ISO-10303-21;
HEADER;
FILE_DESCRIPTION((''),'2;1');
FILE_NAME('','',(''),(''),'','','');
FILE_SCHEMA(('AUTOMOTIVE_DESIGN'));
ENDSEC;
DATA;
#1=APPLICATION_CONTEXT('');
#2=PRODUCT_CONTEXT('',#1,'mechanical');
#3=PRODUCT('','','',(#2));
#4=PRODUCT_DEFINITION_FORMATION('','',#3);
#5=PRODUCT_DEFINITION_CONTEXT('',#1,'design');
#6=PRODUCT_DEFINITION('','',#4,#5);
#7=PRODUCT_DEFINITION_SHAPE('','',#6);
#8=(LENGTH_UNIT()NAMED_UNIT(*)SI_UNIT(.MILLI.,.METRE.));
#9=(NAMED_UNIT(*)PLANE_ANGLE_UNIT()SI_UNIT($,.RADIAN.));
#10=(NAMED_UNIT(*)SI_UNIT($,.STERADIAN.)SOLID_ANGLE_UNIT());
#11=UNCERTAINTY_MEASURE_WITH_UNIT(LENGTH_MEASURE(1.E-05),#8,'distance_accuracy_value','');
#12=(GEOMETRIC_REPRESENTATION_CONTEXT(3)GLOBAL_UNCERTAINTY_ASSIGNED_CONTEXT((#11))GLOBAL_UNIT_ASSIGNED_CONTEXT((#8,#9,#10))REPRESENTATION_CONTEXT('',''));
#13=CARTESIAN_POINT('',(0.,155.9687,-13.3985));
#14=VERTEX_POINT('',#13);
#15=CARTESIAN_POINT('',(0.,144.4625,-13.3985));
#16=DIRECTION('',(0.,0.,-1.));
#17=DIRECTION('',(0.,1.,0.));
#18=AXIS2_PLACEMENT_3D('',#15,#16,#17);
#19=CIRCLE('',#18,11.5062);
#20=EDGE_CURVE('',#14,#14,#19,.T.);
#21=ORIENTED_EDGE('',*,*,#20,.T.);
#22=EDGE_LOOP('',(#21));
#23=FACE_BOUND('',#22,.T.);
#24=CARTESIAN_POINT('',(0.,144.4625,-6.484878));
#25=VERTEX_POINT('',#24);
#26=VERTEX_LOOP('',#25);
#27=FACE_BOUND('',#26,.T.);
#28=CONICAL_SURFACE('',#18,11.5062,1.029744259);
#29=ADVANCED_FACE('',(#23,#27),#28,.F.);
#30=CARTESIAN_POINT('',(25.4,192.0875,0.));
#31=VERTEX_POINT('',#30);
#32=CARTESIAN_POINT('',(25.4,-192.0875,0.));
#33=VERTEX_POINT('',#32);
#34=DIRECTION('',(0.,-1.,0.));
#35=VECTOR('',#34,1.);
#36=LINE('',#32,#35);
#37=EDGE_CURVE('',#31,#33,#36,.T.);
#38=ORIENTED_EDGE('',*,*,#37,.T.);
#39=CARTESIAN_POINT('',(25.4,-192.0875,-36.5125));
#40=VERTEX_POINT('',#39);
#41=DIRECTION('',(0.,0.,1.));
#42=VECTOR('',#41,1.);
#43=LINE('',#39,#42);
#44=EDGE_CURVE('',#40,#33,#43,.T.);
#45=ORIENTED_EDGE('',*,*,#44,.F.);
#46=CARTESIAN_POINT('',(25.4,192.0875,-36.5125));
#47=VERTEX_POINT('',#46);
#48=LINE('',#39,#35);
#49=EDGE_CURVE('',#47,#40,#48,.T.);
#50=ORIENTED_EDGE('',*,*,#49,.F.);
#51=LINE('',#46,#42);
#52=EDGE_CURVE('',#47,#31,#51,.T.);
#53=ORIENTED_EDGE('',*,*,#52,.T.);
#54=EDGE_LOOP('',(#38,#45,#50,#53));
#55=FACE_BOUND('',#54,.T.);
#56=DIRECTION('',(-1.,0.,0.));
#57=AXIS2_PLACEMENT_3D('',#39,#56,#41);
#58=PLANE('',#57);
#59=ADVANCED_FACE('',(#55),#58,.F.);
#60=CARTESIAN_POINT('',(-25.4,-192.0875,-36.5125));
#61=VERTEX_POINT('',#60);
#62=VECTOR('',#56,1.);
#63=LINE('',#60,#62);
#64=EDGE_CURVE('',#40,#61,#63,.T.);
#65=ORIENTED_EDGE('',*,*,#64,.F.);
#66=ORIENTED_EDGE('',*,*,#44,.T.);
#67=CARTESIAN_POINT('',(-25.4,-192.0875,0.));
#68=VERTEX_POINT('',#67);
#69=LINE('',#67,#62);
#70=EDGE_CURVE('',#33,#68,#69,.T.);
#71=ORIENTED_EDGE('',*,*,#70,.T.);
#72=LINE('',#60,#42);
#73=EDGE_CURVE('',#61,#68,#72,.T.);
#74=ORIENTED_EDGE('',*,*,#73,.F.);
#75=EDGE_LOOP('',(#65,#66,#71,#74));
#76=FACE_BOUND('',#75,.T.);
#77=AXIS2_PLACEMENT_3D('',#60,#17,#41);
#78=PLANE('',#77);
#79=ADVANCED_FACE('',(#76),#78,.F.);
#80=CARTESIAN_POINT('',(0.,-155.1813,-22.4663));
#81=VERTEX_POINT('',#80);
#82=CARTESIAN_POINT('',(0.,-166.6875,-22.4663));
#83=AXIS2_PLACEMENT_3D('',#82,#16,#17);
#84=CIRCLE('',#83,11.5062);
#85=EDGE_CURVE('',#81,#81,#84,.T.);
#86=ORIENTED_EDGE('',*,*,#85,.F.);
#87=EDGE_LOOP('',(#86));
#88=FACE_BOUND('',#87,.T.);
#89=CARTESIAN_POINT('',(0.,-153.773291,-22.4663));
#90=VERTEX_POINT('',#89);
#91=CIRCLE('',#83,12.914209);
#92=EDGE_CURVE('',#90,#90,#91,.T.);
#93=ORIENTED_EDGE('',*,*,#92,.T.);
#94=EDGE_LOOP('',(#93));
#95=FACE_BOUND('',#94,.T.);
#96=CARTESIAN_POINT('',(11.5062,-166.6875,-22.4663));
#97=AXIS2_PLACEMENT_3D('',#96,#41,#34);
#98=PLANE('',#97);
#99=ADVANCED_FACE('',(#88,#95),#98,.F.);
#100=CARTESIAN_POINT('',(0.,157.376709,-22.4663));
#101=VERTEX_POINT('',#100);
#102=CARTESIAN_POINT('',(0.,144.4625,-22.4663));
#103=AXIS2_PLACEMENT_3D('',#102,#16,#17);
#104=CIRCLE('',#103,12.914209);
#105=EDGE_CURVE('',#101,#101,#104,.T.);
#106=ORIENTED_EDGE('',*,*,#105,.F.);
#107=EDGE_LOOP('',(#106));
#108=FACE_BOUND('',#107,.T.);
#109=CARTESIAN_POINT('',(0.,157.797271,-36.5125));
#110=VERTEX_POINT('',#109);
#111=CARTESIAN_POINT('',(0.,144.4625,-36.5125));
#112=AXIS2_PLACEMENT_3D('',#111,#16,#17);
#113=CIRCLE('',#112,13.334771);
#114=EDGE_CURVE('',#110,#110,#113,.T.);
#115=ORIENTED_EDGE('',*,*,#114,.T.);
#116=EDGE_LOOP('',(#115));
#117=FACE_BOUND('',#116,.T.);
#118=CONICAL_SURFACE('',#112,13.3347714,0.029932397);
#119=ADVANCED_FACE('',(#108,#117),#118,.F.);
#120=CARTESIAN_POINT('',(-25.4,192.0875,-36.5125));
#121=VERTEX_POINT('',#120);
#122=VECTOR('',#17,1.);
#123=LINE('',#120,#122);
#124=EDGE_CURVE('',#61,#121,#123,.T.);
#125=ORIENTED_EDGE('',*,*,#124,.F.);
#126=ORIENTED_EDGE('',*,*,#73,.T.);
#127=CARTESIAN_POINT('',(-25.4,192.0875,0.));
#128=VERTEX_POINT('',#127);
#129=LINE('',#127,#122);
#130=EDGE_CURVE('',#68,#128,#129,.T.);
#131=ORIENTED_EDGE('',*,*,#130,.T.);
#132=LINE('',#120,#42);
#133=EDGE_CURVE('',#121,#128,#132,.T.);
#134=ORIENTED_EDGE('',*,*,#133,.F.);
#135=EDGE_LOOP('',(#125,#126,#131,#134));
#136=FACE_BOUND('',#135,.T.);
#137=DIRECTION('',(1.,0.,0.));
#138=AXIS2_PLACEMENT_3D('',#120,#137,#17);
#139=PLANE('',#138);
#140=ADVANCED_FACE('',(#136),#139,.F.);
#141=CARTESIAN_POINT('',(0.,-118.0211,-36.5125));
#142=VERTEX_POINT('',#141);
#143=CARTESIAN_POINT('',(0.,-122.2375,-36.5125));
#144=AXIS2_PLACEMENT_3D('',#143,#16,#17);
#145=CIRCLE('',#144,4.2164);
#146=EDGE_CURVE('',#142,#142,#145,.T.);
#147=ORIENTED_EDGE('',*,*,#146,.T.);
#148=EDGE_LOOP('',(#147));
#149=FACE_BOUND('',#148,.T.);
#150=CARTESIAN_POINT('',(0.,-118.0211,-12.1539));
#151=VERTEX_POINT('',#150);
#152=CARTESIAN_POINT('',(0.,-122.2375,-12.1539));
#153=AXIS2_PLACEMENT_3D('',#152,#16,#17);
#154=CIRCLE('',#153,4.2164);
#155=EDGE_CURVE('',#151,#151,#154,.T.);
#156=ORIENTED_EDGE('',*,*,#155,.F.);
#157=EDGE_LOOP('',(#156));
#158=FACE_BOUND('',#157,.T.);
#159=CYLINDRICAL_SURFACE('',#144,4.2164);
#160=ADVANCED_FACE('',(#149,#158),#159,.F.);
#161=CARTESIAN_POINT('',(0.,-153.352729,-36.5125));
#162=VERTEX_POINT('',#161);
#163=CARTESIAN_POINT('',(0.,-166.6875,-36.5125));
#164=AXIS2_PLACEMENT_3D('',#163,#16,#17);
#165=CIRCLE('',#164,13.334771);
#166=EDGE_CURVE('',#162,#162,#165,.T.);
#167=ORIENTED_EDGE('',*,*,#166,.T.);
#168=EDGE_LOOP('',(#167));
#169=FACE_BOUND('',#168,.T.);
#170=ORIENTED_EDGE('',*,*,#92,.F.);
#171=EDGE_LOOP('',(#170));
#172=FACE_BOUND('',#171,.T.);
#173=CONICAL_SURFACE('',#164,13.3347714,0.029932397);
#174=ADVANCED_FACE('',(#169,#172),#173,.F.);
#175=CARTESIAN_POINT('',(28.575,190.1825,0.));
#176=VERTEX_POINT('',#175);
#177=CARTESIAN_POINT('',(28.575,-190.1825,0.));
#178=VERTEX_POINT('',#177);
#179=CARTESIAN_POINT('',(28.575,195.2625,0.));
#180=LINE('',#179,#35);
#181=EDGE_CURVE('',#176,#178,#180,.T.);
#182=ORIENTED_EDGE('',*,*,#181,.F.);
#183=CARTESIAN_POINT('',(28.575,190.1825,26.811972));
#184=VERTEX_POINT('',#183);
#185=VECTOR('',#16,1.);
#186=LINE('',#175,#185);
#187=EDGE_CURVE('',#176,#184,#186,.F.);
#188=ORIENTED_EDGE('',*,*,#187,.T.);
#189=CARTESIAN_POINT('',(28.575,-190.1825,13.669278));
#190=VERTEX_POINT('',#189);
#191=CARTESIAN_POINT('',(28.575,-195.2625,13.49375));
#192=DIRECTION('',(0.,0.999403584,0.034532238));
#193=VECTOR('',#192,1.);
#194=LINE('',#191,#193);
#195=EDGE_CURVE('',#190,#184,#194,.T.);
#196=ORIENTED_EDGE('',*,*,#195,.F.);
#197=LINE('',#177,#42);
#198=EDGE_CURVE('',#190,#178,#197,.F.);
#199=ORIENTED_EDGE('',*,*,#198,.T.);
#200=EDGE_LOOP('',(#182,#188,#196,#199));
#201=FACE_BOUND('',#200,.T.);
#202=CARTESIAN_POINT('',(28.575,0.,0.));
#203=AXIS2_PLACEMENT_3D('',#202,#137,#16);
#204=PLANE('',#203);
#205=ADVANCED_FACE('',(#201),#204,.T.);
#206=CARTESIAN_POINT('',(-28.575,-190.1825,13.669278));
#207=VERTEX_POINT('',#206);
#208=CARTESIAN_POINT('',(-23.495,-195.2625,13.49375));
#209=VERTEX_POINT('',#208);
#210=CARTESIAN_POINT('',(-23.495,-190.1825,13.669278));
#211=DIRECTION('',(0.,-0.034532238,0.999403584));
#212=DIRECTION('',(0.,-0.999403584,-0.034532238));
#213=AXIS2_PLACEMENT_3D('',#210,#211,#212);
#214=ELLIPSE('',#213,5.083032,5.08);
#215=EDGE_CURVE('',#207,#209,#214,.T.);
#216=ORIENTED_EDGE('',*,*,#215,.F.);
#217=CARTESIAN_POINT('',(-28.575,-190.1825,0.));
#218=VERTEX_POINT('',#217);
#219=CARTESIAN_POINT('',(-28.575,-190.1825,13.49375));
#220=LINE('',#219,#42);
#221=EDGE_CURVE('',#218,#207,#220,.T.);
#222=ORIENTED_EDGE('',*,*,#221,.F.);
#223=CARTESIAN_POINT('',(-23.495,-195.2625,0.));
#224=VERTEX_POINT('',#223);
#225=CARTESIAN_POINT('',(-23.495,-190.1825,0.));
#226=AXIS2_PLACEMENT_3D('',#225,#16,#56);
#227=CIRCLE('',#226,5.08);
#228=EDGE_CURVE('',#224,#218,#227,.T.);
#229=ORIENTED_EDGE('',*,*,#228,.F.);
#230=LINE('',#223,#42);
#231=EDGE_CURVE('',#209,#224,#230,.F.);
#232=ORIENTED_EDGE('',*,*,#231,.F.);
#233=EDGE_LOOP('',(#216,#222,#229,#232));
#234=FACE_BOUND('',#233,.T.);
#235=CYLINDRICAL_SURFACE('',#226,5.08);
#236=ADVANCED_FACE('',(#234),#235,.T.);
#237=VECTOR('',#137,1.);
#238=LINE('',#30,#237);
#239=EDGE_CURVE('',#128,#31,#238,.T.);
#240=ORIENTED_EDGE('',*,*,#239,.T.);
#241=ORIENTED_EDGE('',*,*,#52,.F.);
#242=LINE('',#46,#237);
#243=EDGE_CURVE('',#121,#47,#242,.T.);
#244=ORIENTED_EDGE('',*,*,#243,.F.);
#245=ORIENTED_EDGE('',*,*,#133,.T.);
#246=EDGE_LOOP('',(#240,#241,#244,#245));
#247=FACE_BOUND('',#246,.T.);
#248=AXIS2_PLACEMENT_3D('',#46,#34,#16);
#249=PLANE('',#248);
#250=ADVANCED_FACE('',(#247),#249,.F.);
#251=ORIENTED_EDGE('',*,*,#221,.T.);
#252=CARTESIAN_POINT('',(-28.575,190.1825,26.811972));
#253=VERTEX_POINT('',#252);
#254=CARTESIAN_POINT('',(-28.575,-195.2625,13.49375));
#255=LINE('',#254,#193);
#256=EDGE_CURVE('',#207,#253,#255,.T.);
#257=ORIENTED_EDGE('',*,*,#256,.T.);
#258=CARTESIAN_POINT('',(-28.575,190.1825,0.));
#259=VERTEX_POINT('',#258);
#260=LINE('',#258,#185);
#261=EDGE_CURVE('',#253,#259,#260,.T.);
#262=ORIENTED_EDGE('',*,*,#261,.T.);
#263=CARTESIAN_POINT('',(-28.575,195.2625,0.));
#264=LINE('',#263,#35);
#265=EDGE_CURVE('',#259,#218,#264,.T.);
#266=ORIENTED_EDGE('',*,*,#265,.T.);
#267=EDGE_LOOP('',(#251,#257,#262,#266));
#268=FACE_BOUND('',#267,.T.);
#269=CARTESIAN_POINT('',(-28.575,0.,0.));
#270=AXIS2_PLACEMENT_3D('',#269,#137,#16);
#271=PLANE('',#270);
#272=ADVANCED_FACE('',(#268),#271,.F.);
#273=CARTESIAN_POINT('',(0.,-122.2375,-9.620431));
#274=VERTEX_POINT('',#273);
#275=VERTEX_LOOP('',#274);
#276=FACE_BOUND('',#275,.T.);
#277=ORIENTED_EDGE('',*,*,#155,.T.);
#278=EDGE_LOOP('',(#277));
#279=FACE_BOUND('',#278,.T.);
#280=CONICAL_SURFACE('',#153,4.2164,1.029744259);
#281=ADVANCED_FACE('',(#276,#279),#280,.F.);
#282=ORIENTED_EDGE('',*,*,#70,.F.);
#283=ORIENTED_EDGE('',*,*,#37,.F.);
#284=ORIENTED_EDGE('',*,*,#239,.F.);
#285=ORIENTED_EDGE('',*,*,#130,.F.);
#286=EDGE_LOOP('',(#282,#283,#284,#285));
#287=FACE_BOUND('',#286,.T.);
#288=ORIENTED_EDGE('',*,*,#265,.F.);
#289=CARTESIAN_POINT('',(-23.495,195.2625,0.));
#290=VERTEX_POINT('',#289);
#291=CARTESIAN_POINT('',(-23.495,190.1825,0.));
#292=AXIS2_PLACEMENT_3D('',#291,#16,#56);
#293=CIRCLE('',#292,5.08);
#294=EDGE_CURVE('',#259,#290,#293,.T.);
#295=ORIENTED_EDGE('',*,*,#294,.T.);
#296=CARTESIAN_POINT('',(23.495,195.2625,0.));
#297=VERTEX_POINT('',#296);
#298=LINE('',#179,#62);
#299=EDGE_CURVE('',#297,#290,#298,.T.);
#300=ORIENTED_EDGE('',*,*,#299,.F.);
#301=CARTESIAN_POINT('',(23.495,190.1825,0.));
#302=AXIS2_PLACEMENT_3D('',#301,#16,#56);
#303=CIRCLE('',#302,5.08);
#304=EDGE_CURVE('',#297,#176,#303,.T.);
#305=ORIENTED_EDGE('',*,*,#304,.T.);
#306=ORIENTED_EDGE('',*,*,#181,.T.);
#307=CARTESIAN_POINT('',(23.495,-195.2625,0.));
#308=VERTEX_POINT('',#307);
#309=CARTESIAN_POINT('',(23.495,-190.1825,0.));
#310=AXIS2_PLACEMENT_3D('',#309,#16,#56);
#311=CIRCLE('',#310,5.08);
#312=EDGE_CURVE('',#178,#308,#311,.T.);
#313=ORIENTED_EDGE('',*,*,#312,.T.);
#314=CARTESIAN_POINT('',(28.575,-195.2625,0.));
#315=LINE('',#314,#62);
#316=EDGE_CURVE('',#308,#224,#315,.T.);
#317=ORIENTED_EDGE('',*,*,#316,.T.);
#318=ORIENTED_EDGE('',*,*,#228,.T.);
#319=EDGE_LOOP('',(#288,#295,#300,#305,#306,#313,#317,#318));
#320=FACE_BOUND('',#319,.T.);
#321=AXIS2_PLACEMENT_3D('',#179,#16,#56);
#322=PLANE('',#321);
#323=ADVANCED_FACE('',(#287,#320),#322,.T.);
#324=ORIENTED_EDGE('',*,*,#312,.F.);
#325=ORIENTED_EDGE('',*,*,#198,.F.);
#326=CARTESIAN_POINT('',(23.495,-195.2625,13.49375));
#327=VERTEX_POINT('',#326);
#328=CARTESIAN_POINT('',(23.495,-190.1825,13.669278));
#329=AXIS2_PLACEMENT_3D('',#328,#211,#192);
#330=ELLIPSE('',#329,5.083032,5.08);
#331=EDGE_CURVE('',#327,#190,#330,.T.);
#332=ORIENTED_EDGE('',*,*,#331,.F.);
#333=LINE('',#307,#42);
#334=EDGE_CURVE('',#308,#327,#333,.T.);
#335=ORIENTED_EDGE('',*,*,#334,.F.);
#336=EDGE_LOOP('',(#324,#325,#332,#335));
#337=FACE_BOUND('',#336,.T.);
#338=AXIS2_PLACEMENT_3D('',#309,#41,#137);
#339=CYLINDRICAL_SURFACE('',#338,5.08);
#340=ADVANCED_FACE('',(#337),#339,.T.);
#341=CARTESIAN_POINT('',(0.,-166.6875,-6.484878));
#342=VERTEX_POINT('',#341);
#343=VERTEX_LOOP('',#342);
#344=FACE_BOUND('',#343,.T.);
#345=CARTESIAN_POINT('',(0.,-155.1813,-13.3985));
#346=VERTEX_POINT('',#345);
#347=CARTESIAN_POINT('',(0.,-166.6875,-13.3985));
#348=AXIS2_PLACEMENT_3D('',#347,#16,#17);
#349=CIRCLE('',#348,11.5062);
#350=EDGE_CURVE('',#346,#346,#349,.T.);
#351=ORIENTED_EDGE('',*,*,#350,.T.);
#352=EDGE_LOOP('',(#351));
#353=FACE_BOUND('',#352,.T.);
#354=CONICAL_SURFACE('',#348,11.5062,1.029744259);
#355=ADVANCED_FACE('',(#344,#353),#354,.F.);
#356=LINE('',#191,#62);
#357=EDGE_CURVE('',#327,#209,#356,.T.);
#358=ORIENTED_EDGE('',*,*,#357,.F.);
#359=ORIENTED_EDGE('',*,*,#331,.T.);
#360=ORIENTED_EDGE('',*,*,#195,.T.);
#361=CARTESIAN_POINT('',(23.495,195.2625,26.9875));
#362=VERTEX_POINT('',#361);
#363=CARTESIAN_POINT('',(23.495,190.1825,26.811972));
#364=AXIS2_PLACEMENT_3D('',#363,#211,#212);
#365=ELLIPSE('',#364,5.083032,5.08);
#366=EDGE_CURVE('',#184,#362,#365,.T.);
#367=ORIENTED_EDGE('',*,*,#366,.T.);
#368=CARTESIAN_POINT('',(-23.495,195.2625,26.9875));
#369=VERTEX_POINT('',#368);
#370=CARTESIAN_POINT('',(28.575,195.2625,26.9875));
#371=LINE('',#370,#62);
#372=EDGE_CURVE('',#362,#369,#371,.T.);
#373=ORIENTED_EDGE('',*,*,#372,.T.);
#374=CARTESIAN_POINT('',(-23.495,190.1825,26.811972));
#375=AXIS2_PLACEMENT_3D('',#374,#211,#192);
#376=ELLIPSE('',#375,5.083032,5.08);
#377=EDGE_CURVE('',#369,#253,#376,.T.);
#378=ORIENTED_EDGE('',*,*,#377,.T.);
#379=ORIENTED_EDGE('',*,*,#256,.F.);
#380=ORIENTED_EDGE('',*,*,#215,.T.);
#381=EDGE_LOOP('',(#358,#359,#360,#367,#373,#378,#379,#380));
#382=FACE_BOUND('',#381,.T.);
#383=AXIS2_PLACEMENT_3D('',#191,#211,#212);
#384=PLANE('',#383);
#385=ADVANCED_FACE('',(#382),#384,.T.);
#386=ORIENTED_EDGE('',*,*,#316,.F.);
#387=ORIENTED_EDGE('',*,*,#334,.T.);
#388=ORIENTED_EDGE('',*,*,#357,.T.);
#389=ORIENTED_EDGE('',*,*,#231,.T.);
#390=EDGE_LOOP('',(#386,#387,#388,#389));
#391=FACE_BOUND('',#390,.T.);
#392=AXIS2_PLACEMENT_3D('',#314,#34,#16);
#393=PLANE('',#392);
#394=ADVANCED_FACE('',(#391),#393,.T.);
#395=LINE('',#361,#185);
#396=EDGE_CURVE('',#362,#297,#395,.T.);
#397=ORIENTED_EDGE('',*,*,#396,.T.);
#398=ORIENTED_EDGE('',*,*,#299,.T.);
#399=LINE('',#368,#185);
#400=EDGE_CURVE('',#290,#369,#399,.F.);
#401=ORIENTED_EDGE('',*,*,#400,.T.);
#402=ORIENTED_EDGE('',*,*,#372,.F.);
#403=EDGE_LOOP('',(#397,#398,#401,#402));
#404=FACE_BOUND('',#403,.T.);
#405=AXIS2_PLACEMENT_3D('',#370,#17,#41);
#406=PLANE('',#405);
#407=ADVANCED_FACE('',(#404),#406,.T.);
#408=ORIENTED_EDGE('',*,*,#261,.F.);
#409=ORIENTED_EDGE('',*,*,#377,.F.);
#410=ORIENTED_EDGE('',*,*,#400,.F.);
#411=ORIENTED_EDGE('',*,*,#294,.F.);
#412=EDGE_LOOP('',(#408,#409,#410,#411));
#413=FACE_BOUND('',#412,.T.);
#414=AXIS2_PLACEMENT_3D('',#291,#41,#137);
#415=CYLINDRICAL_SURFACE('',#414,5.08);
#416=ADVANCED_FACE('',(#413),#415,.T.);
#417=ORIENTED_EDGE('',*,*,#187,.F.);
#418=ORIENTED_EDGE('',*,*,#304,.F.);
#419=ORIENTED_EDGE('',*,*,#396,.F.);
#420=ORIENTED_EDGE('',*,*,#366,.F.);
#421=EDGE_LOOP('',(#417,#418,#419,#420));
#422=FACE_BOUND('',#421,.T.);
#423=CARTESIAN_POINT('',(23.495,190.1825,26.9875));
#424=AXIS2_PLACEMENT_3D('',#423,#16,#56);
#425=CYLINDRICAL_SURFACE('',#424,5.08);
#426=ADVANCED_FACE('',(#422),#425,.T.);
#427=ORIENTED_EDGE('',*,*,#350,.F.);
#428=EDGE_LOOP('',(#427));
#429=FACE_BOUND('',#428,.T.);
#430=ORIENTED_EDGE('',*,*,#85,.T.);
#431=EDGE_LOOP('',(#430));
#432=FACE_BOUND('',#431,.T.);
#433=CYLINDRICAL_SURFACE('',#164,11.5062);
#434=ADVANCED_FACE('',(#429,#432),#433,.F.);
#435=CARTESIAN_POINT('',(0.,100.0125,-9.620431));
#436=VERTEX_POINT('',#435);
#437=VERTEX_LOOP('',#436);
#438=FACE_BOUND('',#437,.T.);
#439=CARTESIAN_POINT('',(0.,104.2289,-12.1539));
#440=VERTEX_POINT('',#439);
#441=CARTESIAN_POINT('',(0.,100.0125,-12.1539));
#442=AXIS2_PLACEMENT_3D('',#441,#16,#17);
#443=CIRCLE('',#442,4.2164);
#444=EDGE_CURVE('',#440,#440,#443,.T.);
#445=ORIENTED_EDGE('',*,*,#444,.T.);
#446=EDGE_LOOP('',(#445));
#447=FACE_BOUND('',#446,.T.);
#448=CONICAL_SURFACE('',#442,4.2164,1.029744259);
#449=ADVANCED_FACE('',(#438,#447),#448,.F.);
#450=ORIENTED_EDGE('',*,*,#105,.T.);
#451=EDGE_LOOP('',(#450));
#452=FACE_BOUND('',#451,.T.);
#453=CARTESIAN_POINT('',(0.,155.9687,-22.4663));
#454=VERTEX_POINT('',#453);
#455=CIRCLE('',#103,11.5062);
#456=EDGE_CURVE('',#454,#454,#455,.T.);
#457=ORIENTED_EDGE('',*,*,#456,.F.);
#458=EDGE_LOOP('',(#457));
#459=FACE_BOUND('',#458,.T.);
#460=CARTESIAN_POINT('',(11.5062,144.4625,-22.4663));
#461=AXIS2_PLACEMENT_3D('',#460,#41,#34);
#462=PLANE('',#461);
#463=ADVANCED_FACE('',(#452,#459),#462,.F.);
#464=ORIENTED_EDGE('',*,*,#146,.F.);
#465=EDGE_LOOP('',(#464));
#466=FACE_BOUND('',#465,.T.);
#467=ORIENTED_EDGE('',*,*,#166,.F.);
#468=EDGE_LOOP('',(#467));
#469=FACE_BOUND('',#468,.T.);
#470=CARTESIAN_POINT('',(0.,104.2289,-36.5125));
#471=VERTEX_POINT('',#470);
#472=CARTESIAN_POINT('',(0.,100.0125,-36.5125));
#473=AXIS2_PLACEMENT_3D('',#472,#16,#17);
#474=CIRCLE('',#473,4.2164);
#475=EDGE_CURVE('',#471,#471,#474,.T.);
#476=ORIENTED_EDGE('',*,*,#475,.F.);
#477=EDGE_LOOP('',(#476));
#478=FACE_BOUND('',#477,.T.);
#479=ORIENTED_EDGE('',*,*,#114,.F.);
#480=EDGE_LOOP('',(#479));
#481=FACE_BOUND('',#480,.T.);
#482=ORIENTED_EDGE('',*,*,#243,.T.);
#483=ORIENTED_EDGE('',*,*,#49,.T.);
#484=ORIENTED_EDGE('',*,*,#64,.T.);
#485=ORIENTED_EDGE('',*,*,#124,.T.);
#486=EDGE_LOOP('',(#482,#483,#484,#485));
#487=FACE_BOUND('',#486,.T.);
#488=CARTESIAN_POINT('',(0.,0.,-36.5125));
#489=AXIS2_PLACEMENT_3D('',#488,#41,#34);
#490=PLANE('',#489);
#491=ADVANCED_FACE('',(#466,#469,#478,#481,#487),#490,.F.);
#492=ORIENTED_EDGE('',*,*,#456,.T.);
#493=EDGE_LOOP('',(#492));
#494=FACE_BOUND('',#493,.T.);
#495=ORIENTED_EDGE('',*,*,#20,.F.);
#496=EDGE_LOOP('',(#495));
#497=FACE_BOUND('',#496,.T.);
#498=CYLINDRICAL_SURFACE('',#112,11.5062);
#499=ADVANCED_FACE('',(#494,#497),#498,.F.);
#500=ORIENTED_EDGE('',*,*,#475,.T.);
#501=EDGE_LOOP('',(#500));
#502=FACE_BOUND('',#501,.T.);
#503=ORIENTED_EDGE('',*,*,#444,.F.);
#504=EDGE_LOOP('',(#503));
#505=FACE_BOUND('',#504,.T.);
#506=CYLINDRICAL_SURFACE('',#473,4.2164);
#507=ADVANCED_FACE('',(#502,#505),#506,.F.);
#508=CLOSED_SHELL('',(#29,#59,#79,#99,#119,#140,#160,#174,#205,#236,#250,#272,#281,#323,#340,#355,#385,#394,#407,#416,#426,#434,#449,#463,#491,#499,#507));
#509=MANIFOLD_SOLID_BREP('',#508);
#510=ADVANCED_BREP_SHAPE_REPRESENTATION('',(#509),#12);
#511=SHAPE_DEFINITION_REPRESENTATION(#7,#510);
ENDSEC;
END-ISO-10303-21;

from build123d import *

# Parameters (mm, degrees)
BOSS_EXTRUDE1_DEPTH               = 57.15
SKETCH15_W                        = 50.8
SKETCH15_H                        = 384.175
BOSS_EXTRUDE7_DEPTH               = 36.5125
M8_CLEARANCE_HOLE1_D              = 8.4328
M8_CLEARANCE_HOLE1_DEPTH          = 24.3586
M8_CLEARANCE_HOLE1_TIP            = 2.533468714
FILLET1_R                         = 5.08
F_3_4_NPT_TAPPED_HOLE1_AT_2_COUNT = 2
F_3_4_NPT_TAPPED_HOLE1_AT_2_PITCH = 311.15


with BuildPart() as part:
    # Sketch1 → Boss-Extrude1 (new body)
    with BuildSketch(Plane(origin=(-28.575, 0, 0), x_dir=(0, -1, 0), z_dir=(-1, 0, 0))):
        Polygon((195.2625, 13.49375), (-195.2625, 26.9875), (-195.2625, 0), (195.2625, 0), align=None)
    extrude(amount=-BOSS_EXTRUDE1_DEPTH)

    # Sketch15 → Boss-Extrude7 (add)
    with BuildSketch(Plane(origin=(0, 0, 0), x_dir=(-1, 0, 0), z_dir=(0, 0, -1))):
        Rectangle(SKETCH15_W, SKETCH15_H)
    extrude(amount=BOSS_EXTRUDE7_DEPTH)

    # M8 Clearance Hole1
    with Locations(Plane(origin=(0, 0, -36.5125), x_dir=(-1, 0, 0), z_dir=(0, 0, -1))):
        with Locations((0, 100.0125), (0, -122.2375)):
            Hole(M8_CLEARANCE_HOLE1_D / 2, depth=M8_CLEARANCE_HOLE1_DEPTH)
            with Locations((0, 0, -(M8_CLEARANCE_HOLE1_DEPTH + M8_CLEARANCE_HOLE1_TIP / 2))):  # 118° drill point
                Cone(0, M8_CLEARANCE_HOLE1_D / 2, M8_CLEARANCE_HOLE1_TIP, mode=Mode.SUBTRACT)

    # Fillet1
    fillet1_edges = [part.edges().sort_by_distance(p)[0] for p in [
        (28.575, 195.2625, 13.49375),
        (28.575, -195.2625, 6.746875),
        (-28.575, 195.2625, 13.49375),
        (-28.575, -195.2625, 6.746875),
    ]]
    fillet(fillet1_edges, radius=FILLET1_R)

    # Sketch27 → 3/4 NPT Tapped Hole1 (revolve, cut)
    with BuildSketch(Plane(origin=(0, 144.4625, -36.5125), x_dir=(0, 1, 0), z_dir=(1, 0, 0))):
        Polygon((0, 0), (0, 30.027622455), (11.5062, 23.114), (11.5062, 14.0462), (12.914209362, 14.0462), (13.3347714, 0), align=None)
    f_3_4_npt_tapped_hole1 = revolve(axis=Axis((0, 144.4625, -42.8625), (0, 0, 1)), mode=Mode.SUBTRACT)

    # 3/4 NPT Tapped Hole1 at 2: 3/4 NPT Tapped Hole1 ×2
    with Locations(*[(0, -i * F_3_4_NPT_TAPPED_HOLE1_AT_2_PITCH, 0) for i in range(1, F_3_4_NPT_TAPPED_HOLE1_AT_2_COUNT)]):
        add(f_3_4_npt_tapped_hole1, mode=Mode.SUBTRACT)


solid = part.part
